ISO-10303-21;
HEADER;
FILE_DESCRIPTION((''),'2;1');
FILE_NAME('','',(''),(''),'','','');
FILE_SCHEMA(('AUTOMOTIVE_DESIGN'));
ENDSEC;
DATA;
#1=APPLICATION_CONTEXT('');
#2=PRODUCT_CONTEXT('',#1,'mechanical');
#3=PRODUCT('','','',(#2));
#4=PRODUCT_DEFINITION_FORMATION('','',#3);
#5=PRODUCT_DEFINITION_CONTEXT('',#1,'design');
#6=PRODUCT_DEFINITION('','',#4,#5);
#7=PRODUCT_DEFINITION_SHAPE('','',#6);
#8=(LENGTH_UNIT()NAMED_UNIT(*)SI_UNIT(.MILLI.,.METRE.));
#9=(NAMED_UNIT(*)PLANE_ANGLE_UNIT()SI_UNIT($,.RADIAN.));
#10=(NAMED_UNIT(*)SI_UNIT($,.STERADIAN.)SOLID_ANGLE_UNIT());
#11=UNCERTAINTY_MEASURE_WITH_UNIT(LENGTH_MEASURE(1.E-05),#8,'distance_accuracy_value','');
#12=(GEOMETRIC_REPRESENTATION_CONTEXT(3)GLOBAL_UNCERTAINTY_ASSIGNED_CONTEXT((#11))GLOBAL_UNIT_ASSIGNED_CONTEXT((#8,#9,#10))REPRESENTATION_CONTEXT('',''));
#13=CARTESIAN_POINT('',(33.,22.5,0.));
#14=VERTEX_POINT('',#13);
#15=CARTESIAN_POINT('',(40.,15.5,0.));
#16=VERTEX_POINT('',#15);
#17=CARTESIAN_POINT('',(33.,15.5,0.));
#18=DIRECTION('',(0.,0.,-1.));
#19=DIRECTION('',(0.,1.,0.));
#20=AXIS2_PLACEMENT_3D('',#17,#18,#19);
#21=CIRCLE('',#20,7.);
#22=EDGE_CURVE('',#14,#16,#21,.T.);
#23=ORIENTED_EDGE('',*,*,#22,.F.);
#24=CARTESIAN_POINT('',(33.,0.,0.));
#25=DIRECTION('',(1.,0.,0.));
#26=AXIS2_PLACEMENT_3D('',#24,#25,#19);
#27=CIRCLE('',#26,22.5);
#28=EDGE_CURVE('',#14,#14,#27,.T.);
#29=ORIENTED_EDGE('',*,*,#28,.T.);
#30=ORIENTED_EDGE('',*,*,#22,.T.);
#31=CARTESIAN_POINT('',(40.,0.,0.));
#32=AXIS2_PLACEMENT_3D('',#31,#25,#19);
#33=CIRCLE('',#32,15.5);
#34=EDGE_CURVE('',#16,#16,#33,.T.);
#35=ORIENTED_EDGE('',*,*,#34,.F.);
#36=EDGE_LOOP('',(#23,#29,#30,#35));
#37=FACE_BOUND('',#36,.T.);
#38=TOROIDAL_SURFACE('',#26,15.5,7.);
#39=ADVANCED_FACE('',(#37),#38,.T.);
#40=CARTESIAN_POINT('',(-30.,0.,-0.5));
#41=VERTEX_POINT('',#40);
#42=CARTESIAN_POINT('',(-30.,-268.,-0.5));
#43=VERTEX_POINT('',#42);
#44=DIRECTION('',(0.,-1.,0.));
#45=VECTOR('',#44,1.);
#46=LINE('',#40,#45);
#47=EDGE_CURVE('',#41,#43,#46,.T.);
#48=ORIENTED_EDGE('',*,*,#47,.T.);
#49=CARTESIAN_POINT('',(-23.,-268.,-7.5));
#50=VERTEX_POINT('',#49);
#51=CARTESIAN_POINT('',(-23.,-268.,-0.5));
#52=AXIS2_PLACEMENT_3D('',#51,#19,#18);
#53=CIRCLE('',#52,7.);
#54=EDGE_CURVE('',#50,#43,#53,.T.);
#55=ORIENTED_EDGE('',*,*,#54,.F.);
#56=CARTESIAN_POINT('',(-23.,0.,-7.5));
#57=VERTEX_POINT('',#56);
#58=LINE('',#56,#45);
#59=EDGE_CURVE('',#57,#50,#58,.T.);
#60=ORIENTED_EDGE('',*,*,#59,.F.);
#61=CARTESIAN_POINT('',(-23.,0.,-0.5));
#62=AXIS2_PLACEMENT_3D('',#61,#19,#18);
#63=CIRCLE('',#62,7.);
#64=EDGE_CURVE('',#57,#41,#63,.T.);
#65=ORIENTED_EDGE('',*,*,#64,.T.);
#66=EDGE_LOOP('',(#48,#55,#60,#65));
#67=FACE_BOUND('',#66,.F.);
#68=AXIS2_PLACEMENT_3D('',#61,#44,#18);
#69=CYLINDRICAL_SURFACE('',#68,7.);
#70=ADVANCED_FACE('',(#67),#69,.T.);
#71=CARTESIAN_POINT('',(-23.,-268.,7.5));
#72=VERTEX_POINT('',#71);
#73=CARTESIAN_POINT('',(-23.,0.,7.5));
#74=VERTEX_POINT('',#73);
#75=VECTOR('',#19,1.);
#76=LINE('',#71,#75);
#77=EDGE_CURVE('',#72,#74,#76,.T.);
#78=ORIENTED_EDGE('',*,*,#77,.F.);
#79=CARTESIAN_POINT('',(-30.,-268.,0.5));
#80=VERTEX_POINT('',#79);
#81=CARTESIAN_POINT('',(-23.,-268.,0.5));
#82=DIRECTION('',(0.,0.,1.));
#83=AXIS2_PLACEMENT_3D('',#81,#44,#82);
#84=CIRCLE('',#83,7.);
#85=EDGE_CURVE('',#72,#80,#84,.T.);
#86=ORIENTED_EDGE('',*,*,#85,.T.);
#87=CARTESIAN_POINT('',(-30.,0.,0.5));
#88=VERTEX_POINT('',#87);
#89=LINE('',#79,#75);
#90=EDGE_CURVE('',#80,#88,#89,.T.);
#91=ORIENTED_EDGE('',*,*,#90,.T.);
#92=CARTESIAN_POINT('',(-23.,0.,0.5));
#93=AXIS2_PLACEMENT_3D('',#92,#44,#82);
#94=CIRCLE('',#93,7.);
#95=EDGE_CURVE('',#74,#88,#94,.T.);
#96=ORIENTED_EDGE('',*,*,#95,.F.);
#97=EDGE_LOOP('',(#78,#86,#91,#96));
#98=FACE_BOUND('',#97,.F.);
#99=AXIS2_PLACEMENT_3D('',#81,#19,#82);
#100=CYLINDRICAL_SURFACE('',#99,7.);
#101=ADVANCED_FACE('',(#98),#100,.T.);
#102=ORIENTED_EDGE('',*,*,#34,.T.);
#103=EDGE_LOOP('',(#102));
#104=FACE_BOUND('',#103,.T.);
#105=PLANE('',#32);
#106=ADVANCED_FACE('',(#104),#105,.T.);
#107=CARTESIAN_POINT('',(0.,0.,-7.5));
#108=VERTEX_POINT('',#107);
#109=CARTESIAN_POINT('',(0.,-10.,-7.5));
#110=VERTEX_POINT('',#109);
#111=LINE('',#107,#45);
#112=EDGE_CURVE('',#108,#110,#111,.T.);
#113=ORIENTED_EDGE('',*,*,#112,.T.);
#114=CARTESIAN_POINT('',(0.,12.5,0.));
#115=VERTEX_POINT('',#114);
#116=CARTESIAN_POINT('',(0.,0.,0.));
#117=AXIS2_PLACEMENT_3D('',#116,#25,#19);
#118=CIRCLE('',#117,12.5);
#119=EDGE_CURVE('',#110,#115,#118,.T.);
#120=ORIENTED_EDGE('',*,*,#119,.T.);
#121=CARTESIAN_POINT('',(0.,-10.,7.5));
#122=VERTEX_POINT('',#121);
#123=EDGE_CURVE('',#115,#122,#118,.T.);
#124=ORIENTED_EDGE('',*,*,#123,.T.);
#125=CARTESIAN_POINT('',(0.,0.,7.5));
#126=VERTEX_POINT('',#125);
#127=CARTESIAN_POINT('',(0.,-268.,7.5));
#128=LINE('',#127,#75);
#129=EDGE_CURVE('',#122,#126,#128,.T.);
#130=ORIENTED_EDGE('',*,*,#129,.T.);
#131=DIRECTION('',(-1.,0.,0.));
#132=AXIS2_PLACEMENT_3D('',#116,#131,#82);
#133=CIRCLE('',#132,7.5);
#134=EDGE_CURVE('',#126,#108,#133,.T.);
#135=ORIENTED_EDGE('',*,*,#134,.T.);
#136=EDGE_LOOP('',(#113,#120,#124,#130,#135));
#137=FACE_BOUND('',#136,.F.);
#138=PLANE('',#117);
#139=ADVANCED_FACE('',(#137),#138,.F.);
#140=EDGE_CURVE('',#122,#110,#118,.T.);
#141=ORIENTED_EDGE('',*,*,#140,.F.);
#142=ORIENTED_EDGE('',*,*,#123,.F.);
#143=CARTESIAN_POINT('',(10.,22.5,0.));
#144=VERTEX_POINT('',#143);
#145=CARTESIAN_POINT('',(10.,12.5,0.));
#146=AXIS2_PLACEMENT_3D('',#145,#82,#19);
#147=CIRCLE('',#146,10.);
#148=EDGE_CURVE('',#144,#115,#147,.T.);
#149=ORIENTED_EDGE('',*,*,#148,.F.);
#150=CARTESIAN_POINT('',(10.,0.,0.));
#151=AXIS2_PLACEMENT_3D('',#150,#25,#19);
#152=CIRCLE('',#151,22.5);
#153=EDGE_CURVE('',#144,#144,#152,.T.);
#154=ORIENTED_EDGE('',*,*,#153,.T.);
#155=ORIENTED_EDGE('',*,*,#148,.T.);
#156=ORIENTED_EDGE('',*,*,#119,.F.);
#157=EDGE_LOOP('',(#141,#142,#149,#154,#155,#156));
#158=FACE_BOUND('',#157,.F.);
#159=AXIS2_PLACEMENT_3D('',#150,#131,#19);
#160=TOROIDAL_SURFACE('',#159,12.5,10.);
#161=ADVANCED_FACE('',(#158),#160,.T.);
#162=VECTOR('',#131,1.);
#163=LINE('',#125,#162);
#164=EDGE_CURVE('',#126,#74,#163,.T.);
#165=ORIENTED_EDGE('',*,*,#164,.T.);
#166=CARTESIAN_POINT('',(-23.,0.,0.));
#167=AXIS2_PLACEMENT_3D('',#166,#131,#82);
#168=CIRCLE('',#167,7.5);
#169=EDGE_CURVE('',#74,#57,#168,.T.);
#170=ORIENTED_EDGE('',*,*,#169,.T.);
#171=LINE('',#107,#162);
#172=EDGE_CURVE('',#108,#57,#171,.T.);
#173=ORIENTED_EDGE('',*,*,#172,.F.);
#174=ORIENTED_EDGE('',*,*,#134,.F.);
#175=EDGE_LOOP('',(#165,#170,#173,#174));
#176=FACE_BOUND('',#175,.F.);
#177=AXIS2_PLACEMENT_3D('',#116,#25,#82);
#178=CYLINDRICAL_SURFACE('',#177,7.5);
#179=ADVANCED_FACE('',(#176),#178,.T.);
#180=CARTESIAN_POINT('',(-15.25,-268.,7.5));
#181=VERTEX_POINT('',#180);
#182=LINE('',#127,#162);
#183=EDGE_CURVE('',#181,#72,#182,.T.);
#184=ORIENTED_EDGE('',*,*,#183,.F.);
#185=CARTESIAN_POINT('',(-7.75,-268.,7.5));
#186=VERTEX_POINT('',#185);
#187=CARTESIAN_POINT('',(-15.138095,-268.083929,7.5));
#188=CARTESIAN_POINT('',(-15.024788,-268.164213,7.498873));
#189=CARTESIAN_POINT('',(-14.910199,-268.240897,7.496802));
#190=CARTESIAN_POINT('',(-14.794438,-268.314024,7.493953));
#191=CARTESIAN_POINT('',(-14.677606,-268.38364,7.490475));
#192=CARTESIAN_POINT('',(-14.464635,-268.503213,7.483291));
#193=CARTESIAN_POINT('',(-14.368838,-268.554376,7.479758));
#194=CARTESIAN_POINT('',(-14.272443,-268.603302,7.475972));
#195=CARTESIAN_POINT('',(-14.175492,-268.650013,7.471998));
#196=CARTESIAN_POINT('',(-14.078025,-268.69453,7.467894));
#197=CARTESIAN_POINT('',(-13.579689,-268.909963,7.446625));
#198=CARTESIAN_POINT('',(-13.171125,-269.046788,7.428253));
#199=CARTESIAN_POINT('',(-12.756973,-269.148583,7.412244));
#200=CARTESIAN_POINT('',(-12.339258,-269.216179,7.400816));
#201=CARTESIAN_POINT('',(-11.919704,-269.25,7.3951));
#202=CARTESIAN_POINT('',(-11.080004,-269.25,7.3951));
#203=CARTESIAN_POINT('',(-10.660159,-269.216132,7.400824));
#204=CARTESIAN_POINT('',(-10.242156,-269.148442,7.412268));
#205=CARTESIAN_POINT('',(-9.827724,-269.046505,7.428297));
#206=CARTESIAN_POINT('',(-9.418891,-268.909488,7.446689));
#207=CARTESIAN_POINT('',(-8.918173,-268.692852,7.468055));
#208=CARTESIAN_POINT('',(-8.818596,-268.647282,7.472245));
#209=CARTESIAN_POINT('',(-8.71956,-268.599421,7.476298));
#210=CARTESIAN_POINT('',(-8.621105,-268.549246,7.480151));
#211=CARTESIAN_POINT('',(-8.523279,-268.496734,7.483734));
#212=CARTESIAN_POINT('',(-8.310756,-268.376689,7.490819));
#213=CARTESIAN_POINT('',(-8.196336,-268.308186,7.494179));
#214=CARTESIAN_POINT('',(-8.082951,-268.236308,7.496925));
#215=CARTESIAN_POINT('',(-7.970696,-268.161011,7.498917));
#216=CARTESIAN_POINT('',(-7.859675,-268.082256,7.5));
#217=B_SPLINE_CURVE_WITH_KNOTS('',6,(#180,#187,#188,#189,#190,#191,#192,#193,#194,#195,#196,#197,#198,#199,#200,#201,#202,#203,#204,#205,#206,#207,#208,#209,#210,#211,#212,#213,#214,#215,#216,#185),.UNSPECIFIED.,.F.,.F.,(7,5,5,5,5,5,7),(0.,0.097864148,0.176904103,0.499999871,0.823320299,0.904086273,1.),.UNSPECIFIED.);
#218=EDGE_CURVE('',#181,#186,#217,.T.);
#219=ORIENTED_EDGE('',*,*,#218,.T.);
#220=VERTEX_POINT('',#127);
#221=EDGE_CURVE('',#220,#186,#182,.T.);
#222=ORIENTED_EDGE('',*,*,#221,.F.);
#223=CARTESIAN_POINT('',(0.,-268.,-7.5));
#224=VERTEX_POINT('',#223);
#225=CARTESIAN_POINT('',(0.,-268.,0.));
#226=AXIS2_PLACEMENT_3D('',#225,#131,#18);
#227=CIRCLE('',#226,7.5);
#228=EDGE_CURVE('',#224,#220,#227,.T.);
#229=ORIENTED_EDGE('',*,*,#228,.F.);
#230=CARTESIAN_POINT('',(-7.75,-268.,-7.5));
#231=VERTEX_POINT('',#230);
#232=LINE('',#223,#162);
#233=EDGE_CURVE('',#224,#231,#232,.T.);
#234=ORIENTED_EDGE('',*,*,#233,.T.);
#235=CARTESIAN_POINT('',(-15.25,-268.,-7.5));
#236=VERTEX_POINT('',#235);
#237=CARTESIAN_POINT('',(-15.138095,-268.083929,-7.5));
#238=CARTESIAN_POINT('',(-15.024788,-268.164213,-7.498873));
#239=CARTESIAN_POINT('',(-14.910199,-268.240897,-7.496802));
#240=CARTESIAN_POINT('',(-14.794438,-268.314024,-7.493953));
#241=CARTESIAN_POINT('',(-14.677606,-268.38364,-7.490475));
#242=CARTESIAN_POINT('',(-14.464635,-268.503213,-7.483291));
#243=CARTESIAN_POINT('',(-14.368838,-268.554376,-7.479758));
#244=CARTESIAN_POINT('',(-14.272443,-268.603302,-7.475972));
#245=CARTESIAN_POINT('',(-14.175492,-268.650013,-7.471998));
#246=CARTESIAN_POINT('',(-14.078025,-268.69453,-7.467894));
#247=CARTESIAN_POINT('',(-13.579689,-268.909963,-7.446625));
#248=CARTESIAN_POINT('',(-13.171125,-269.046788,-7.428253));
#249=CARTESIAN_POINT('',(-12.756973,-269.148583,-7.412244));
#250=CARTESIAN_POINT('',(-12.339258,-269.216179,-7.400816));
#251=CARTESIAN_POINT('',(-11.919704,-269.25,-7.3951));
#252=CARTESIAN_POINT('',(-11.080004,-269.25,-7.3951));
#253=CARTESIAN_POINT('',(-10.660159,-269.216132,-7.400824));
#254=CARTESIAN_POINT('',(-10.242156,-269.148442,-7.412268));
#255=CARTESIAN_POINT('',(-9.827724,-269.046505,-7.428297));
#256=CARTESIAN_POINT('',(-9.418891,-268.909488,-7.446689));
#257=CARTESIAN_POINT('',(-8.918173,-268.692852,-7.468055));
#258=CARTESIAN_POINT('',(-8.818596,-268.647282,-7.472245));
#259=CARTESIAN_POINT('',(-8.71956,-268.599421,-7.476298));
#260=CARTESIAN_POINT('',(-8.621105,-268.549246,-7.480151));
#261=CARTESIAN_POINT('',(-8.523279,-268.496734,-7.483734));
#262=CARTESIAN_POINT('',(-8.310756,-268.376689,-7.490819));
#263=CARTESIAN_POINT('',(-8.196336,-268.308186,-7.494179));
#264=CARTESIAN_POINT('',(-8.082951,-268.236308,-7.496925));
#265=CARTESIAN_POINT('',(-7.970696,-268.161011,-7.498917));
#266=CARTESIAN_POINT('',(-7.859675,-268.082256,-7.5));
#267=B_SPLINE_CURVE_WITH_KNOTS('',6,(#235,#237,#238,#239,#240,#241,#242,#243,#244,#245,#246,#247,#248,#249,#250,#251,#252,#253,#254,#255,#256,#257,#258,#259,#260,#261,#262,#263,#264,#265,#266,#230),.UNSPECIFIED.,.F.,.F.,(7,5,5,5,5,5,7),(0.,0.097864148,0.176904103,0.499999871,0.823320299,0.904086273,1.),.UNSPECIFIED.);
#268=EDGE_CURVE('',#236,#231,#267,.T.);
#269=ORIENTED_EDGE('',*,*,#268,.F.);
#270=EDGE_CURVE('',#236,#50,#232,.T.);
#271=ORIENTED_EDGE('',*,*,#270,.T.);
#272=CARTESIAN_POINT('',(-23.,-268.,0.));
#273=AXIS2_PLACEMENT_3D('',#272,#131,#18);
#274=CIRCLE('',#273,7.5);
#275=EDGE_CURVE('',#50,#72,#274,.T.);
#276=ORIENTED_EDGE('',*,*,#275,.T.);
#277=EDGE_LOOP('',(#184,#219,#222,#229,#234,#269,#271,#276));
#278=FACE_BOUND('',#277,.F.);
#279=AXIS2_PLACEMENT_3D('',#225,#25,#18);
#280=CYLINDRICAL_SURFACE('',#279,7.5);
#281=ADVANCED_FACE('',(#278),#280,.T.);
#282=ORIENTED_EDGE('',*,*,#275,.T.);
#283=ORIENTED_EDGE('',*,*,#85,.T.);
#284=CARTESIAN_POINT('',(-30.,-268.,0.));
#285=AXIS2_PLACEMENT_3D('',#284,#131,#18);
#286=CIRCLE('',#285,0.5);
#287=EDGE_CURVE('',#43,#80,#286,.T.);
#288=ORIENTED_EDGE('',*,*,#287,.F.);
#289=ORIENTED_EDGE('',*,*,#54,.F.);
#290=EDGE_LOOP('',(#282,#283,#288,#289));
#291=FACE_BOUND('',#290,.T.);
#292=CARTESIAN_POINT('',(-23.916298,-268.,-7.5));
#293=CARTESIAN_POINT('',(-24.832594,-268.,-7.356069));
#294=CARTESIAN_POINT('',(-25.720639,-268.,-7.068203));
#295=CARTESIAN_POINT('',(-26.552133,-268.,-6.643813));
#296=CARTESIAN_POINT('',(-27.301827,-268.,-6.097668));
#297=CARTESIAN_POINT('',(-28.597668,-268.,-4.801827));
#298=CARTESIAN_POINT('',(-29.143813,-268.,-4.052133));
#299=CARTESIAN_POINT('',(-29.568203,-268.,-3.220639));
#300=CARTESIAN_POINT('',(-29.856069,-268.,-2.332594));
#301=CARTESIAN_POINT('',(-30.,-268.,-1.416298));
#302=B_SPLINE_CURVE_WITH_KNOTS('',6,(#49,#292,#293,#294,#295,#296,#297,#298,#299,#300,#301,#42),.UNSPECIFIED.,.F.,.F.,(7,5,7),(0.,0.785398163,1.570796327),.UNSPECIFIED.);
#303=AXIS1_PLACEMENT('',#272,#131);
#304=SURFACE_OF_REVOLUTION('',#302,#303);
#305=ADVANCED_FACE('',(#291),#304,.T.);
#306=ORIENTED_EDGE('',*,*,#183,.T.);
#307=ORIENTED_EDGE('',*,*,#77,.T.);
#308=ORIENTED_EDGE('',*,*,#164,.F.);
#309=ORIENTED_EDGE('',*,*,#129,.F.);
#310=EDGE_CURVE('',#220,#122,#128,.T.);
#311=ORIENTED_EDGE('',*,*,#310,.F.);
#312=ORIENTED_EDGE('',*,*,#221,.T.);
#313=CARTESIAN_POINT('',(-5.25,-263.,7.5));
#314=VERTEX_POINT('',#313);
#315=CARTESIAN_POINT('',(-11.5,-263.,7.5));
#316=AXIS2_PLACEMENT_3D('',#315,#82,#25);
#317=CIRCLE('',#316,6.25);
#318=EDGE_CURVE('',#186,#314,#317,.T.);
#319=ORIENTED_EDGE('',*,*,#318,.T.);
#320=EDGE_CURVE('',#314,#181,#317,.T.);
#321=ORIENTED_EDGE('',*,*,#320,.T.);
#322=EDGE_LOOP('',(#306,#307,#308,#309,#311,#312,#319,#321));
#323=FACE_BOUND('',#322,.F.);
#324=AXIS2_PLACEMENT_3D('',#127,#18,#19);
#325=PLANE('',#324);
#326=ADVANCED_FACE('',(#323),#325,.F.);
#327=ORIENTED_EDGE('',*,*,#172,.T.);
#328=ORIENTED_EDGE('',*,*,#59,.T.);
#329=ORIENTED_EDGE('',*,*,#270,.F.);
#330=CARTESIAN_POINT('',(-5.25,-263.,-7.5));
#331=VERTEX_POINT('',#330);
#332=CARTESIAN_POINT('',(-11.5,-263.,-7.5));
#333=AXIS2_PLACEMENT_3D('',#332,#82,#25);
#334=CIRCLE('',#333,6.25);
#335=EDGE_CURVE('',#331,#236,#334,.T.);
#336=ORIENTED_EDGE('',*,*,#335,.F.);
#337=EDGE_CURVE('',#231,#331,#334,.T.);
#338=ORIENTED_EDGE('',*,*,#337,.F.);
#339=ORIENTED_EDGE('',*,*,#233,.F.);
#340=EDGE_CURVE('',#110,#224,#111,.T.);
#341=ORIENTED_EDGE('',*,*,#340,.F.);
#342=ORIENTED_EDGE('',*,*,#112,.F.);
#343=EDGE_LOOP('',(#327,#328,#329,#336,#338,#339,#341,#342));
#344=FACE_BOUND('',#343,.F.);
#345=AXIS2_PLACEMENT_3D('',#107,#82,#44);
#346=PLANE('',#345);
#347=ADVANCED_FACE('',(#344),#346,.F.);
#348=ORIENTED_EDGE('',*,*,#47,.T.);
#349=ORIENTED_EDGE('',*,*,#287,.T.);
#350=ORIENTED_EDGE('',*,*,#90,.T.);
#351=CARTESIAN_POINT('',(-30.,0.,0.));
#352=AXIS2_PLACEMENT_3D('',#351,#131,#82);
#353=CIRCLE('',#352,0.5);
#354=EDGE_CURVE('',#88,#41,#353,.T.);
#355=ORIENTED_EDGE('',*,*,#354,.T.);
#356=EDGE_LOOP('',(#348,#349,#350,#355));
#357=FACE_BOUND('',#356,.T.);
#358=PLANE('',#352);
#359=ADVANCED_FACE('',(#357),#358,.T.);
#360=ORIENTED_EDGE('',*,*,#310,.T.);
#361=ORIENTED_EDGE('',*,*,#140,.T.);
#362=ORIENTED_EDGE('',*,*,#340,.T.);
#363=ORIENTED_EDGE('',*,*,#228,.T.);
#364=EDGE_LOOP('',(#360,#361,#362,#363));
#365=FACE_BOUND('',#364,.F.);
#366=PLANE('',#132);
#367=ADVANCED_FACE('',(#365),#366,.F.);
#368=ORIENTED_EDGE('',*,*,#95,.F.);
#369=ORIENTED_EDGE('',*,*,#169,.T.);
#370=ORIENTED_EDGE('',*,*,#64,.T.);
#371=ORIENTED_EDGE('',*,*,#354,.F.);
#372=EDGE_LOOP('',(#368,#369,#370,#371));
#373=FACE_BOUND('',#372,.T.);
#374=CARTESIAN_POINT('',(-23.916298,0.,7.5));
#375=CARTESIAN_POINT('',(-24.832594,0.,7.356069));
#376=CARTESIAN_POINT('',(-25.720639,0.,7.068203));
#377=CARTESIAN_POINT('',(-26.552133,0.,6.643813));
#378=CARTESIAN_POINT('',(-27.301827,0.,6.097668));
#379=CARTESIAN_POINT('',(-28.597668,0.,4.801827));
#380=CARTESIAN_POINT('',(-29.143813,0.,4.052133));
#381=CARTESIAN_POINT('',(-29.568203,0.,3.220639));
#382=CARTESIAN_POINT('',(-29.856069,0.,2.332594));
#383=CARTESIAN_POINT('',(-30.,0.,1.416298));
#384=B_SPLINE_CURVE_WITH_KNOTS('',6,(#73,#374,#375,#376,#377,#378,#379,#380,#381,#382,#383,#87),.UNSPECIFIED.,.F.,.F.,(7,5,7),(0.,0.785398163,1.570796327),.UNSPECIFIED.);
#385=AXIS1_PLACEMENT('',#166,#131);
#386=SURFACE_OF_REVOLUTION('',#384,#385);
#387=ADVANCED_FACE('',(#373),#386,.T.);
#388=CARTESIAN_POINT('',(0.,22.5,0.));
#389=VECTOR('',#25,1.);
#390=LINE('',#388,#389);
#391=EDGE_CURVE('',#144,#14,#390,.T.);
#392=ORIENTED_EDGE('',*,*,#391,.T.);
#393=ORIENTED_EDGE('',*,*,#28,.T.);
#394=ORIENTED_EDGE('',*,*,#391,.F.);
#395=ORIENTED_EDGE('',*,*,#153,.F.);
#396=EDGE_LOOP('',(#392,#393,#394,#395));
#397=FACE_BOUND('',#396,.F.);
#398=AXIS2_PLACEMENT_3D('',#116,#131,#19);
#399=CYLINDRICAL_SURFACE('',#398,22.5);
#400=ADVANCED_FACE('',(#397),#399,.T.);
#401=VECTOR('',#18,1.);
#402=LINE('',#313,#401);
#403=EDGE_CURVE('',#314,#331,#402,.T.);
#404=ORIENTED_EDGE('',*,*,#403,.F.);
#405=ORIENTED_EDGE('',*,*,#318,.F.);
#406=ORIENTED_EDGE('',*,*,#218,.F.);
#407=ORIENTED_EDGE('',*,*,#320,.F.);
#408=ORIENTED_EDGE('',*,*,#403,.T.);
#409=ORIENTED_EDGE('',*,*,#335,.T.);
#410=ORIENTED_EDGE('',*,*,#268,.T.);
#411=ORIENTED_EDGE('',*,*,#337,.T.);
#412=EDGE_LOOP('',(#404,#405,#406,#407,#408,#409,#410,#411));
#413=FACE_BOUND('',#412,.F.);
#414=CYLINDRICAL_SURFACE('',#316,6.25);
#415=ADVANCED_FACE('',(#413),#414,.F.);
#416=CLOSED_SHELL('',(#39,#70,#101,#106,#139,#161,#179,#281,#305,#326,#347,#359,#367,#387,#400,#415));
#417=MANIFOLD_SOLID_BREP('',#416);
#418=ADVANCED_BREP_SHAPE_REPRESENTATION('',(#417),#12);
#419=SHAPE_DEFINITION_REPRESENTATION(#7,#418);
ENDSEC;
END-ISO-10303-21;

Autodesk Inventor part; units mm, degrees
ref_plane "YZ Plane" through (0, 0, 0) normal (1, 0, 0) x (0, 1, 0)
ref_plane "XZ Plane" through (0, 0, 0) normal (0, 1, 0) x (-1, 0, 0)
ref_plane "XY Plane" through (0, 0, 0) normal (0, 0, 1) x (1, 0, 0)
sketch "Esboço1" plane through (0, 0, 0) normal (1, 0, 0) x (0, 1, 0)
  circle A0 centre (0, 0) radius 22.5
  dimension "d0" = 45
extrude "Extrusão1" add sketch "Esboço1" along normal blind 40
fillet "Arredondamento1" radius 10 1 edges at (0, -22.5, 0)
sketch "Esboço2" plane through (0, 0, 0) normal (-1, 0, 0) x (0, 0, 1)
  line L0 (0, 0) -> (0, -268) construction
  line L1 (-7.5, 0) -> (-7.5, -268)
  line L2 (7.5, -268) -> (7.5, 0)
  arc A0 (7.5, 0) -> (-7.5, 0) centre (0, 0) ccw
  arc A1 (-7.5, -268) -> (7.5, -268) centre (0, -268) ccw
  point P0 (0, -134)
  dimension "d5" = 15
extrude "Extrusão2" add sketch "Esboço2" along normal blind 30
fillet "Arredondamento2" radius 7 5 edges at (-30, -134, 7.5) (-30, 7.5, 0) (-30, -134, -7.5) (-30, -275.5, 0) (40, -22.5, 0)
sketch "Esboço3" plane through (0, -268, 7.5) normal (0, 0, 1) x (1, 0, 0)
  circle A0 centre (-11.5, 5) radius 6.25
  point P0 (0, 268)
extrude "Extrusão3" cut sketch "Esboço3" against normal blind 30
properties part number "braço"
